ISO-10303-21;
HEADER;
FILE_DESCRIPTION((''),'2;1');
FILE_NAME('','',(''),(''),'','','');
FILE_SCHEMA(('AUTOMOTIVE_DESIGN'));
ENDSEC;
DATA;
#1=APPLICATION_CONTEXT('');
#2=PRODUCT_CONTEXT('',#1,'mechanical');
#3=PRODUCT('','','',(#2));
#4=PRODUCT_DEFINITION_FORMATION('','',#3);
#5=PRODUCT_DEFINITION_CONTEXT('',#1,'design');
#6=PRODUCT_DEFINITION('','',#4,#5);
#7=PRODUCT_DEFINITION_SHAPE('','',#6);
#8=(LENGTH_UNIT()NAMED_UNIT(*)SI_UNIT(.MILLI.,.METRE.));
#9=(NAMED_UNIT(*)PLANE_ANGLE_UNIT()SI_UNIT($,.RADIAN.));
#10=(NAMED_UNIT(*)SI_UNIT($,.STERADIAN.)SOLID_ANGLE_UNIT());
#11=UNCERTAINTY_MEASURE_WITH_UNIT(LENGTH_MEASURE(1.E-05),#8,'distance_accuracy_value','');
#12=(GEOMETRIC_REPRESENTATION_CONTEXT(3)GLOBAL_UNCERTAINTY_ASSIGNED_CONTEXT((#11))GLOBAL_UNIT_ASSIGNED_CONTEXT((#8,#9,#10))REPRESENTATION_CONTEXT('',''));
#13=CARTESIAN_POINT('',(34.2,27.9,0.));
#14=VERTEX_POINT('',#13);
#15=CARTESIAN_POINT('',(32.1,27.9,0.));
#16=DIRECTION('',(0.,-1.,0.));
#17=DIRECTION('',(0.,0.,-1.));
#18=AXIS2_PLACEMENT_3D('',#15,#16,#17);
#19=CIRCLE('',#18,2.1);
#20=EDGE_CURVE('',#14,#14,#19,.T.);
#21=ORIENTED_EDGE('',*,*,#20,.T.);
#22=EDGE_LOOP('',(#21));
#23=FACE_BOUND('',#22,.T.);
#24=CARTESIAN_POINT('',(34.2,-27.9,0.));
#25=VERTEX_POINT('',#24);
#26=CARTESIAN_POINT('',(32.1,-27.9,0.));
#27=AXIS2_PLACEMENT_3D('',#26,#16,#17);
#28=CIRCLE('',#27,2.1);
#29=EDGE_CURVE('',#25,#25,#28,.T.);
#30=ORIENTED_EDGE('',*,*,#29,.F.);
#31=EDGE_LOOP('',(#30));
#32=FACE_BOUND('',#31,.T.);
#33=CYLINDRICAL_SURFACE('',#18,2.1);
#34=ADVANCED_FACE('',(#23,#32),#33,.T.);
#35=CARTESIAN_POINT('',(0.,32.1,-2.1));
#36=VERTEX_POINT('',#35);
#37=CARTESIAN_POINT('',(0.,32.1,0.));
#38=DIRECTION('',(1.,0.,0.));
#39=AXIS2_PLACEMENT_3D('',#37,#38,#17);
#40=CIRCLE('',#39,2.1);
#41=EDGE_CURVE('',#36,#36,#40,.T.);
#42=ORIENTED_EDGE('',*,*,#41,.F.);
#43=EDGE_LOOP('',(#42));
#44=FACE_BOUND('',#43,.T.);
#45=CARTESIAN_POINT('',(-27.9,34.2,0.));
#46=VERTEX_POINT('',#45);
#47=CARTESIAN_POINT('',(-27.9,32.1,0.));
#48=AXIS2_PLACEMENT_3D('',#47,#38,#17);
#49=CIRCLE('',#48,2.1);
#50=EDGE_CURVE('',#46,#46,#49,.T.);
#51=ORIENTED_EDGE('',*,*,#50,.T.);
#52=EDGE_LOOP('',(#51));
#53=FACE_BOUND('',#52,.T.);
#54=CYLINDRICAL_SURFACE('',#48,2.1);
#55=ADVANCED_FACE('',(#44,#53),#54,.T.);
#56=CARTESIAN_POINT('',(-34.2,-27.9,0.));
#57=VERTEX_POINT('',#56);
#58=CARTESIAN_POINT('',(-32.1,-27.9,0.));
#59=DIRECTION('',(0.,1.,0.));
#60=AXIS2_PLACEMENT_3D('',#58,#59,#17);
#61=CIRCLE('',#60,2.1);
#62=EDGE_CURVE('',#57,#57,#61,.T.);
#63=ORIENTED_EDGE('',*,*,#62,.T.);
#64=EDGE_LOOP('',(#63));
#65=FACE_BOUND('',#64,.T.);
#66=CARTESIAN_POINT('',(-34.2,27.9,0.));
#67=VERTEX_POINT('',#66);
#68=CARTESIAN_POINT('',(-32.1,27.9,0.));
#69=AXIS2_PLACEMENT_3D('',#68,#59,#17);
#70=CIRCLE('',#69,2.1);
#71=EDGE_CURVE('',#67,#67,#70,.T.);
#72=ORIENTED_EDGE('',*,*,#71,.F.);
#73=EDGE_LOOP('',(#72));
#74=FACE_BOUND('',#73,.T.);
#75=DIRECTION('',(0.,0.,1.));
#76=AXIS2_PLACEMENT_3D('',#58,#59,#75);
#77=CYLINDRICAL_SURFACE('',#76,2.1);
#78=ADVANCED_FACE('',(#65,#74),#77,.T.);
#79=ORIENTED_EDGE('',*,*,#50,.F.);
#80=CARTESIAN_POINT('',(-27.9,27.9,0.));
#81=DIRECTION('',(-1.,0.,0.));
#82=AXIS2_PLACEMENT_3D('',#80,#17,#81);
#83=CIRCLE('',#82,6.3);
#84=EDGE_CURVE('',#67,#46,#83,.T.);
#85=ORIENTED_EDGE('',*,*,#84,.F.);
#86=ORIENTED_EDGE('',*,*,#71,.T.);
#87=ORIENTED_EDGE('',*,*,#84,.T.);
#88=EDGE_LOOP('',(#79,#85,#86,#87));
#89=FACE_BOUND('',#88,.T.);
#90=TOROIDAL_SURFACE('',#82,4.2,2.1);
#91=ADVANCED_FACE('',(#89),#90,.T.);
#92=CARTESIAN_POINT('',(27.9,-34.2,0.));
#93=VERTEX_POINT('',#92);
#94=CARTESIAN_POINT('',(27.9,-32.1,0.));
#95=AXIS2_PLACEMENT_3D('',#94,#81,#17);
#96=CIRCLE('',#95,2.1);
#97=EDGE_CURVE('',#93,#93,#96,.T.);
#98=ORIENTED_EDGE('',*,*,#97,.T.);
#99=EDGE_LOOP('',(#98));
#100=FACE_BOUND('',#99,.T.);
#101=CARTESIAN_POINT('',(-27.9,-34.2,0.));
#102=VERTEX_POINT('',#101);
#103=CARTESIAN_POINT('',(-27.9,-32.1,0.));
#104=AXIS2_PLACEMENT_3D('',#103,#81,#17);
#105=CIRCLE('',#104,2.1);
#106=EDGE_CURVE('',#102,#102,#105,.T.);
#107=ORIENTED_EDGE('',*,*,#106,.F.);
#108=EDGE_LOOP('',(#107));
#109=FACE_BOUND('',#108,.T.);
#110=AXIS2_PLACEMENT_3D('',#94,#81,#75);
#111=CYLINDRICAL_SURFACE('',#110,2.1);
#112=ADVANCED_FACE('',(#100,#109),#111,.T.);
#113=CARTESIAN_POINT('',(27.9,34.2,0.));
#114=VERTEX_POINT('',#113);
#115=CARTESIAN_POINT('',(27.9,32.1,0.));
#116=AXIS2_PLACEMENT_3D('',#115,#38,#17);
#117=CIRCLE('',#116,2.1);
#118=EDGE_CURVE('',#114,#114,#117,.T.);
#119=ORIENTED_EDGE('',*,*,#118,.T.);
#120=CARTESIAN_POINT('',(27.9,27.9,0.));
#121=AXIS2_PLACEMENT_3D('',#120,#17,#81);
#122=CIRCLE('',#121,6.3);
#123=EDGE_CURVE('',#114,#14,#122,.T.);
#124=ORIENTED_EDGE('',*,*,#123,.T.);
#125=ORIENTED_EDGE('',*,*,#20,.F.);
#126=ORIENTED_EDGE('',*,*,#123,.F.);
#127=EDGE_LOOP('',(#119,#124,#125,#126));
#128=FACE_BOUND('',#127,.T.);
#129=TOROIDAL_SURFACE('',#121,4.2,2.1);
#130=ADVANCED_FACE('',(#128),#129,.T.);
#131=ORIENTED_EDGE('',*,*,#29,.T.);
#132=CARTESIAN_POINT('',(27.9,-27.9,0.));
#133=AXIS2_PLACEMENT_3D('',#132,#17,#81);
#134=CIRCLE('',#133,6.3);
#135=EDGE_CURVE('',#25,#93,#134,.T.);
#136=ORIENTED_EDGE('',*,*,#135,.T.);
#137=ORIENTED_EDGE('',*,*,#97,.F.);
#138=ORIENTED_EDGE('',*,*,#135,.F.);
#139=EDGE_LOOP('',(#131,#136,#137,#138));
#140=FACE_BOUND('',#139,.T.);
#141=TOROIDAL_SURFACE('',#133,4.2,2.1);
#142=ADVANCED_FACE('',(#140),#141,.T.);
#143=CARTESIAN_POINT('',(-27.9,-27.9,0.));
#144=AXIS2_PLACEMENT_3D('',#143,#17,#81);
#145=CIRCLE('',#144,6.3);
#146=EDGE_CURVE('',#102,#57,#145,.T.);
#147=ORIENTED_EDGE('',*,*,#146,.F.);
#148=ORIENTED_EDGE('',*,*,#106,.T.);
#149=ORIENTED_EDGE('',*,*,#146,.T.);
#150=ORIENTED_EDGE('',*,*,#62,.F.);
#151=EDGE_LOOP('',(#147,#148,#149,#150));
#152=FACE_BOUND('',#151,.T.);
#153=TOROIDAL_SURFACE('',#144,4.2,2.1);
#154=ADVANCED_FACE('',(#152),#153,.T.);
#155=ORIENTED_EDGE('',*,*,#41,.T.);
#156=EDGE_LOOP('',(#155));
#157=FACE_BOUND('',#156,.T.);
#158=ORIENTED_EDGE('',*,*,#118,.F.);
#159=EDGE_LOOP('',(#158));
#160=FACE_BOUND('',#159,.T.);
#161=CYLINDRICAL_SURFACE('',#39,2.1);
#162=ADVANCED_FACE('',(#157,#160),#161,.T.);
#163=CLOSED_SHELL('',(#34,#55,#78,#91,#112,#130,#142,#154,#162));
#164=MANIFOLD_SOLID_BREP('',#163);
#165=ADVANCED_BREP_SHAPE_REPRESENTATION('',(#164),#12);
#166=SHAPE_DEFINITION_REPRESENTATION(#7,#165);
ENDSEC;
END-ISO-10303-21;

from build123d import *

# Parameters (mm, degrees)
ESBO_O2_R = 2.1


with BuildPart() as part:
    # Varredura1: sweep along a path in Esboço1
    with BuildLine(Plane.XY) as varredura1_path:
        Line((27.9, 32.1), (-27.9, 32.1))
        ThreePointArc((-27.9, 32.1), (-30.869848481, 30.869848481), (-32.1, 27.9))
        Line((-32.1, 27.9), (-32.1, -27.9))
        ThreePointArc((-32.1, -27.9), (-30.869848481, -30.869848481), (-27.9, -32.1))
        Line((-27.9, -32.1), (27.9, -32.1))
        ThreePointArc((27.9, -32.1), (30.869848481, -30.869848481), (32.1, -27.9))
        Line((32.1, -27.9), (32.1, 27.9))
        ThreePointArc((32.1, 27.9), (30.869848481, 30.869848481), (27.9, 32.1))
    # Esboço2 → Varredura1 (sweep)
    with BuildSketch(Plane(origin=(0, 0, 0), x_dir=(0, 0, -1), z_dir=(1, 0, 0))):
        with Locations((0, 32.1)):
            Circle(ESBO_O2_R)
    sweep(path=varredura1_path.line)


solid = part.part
